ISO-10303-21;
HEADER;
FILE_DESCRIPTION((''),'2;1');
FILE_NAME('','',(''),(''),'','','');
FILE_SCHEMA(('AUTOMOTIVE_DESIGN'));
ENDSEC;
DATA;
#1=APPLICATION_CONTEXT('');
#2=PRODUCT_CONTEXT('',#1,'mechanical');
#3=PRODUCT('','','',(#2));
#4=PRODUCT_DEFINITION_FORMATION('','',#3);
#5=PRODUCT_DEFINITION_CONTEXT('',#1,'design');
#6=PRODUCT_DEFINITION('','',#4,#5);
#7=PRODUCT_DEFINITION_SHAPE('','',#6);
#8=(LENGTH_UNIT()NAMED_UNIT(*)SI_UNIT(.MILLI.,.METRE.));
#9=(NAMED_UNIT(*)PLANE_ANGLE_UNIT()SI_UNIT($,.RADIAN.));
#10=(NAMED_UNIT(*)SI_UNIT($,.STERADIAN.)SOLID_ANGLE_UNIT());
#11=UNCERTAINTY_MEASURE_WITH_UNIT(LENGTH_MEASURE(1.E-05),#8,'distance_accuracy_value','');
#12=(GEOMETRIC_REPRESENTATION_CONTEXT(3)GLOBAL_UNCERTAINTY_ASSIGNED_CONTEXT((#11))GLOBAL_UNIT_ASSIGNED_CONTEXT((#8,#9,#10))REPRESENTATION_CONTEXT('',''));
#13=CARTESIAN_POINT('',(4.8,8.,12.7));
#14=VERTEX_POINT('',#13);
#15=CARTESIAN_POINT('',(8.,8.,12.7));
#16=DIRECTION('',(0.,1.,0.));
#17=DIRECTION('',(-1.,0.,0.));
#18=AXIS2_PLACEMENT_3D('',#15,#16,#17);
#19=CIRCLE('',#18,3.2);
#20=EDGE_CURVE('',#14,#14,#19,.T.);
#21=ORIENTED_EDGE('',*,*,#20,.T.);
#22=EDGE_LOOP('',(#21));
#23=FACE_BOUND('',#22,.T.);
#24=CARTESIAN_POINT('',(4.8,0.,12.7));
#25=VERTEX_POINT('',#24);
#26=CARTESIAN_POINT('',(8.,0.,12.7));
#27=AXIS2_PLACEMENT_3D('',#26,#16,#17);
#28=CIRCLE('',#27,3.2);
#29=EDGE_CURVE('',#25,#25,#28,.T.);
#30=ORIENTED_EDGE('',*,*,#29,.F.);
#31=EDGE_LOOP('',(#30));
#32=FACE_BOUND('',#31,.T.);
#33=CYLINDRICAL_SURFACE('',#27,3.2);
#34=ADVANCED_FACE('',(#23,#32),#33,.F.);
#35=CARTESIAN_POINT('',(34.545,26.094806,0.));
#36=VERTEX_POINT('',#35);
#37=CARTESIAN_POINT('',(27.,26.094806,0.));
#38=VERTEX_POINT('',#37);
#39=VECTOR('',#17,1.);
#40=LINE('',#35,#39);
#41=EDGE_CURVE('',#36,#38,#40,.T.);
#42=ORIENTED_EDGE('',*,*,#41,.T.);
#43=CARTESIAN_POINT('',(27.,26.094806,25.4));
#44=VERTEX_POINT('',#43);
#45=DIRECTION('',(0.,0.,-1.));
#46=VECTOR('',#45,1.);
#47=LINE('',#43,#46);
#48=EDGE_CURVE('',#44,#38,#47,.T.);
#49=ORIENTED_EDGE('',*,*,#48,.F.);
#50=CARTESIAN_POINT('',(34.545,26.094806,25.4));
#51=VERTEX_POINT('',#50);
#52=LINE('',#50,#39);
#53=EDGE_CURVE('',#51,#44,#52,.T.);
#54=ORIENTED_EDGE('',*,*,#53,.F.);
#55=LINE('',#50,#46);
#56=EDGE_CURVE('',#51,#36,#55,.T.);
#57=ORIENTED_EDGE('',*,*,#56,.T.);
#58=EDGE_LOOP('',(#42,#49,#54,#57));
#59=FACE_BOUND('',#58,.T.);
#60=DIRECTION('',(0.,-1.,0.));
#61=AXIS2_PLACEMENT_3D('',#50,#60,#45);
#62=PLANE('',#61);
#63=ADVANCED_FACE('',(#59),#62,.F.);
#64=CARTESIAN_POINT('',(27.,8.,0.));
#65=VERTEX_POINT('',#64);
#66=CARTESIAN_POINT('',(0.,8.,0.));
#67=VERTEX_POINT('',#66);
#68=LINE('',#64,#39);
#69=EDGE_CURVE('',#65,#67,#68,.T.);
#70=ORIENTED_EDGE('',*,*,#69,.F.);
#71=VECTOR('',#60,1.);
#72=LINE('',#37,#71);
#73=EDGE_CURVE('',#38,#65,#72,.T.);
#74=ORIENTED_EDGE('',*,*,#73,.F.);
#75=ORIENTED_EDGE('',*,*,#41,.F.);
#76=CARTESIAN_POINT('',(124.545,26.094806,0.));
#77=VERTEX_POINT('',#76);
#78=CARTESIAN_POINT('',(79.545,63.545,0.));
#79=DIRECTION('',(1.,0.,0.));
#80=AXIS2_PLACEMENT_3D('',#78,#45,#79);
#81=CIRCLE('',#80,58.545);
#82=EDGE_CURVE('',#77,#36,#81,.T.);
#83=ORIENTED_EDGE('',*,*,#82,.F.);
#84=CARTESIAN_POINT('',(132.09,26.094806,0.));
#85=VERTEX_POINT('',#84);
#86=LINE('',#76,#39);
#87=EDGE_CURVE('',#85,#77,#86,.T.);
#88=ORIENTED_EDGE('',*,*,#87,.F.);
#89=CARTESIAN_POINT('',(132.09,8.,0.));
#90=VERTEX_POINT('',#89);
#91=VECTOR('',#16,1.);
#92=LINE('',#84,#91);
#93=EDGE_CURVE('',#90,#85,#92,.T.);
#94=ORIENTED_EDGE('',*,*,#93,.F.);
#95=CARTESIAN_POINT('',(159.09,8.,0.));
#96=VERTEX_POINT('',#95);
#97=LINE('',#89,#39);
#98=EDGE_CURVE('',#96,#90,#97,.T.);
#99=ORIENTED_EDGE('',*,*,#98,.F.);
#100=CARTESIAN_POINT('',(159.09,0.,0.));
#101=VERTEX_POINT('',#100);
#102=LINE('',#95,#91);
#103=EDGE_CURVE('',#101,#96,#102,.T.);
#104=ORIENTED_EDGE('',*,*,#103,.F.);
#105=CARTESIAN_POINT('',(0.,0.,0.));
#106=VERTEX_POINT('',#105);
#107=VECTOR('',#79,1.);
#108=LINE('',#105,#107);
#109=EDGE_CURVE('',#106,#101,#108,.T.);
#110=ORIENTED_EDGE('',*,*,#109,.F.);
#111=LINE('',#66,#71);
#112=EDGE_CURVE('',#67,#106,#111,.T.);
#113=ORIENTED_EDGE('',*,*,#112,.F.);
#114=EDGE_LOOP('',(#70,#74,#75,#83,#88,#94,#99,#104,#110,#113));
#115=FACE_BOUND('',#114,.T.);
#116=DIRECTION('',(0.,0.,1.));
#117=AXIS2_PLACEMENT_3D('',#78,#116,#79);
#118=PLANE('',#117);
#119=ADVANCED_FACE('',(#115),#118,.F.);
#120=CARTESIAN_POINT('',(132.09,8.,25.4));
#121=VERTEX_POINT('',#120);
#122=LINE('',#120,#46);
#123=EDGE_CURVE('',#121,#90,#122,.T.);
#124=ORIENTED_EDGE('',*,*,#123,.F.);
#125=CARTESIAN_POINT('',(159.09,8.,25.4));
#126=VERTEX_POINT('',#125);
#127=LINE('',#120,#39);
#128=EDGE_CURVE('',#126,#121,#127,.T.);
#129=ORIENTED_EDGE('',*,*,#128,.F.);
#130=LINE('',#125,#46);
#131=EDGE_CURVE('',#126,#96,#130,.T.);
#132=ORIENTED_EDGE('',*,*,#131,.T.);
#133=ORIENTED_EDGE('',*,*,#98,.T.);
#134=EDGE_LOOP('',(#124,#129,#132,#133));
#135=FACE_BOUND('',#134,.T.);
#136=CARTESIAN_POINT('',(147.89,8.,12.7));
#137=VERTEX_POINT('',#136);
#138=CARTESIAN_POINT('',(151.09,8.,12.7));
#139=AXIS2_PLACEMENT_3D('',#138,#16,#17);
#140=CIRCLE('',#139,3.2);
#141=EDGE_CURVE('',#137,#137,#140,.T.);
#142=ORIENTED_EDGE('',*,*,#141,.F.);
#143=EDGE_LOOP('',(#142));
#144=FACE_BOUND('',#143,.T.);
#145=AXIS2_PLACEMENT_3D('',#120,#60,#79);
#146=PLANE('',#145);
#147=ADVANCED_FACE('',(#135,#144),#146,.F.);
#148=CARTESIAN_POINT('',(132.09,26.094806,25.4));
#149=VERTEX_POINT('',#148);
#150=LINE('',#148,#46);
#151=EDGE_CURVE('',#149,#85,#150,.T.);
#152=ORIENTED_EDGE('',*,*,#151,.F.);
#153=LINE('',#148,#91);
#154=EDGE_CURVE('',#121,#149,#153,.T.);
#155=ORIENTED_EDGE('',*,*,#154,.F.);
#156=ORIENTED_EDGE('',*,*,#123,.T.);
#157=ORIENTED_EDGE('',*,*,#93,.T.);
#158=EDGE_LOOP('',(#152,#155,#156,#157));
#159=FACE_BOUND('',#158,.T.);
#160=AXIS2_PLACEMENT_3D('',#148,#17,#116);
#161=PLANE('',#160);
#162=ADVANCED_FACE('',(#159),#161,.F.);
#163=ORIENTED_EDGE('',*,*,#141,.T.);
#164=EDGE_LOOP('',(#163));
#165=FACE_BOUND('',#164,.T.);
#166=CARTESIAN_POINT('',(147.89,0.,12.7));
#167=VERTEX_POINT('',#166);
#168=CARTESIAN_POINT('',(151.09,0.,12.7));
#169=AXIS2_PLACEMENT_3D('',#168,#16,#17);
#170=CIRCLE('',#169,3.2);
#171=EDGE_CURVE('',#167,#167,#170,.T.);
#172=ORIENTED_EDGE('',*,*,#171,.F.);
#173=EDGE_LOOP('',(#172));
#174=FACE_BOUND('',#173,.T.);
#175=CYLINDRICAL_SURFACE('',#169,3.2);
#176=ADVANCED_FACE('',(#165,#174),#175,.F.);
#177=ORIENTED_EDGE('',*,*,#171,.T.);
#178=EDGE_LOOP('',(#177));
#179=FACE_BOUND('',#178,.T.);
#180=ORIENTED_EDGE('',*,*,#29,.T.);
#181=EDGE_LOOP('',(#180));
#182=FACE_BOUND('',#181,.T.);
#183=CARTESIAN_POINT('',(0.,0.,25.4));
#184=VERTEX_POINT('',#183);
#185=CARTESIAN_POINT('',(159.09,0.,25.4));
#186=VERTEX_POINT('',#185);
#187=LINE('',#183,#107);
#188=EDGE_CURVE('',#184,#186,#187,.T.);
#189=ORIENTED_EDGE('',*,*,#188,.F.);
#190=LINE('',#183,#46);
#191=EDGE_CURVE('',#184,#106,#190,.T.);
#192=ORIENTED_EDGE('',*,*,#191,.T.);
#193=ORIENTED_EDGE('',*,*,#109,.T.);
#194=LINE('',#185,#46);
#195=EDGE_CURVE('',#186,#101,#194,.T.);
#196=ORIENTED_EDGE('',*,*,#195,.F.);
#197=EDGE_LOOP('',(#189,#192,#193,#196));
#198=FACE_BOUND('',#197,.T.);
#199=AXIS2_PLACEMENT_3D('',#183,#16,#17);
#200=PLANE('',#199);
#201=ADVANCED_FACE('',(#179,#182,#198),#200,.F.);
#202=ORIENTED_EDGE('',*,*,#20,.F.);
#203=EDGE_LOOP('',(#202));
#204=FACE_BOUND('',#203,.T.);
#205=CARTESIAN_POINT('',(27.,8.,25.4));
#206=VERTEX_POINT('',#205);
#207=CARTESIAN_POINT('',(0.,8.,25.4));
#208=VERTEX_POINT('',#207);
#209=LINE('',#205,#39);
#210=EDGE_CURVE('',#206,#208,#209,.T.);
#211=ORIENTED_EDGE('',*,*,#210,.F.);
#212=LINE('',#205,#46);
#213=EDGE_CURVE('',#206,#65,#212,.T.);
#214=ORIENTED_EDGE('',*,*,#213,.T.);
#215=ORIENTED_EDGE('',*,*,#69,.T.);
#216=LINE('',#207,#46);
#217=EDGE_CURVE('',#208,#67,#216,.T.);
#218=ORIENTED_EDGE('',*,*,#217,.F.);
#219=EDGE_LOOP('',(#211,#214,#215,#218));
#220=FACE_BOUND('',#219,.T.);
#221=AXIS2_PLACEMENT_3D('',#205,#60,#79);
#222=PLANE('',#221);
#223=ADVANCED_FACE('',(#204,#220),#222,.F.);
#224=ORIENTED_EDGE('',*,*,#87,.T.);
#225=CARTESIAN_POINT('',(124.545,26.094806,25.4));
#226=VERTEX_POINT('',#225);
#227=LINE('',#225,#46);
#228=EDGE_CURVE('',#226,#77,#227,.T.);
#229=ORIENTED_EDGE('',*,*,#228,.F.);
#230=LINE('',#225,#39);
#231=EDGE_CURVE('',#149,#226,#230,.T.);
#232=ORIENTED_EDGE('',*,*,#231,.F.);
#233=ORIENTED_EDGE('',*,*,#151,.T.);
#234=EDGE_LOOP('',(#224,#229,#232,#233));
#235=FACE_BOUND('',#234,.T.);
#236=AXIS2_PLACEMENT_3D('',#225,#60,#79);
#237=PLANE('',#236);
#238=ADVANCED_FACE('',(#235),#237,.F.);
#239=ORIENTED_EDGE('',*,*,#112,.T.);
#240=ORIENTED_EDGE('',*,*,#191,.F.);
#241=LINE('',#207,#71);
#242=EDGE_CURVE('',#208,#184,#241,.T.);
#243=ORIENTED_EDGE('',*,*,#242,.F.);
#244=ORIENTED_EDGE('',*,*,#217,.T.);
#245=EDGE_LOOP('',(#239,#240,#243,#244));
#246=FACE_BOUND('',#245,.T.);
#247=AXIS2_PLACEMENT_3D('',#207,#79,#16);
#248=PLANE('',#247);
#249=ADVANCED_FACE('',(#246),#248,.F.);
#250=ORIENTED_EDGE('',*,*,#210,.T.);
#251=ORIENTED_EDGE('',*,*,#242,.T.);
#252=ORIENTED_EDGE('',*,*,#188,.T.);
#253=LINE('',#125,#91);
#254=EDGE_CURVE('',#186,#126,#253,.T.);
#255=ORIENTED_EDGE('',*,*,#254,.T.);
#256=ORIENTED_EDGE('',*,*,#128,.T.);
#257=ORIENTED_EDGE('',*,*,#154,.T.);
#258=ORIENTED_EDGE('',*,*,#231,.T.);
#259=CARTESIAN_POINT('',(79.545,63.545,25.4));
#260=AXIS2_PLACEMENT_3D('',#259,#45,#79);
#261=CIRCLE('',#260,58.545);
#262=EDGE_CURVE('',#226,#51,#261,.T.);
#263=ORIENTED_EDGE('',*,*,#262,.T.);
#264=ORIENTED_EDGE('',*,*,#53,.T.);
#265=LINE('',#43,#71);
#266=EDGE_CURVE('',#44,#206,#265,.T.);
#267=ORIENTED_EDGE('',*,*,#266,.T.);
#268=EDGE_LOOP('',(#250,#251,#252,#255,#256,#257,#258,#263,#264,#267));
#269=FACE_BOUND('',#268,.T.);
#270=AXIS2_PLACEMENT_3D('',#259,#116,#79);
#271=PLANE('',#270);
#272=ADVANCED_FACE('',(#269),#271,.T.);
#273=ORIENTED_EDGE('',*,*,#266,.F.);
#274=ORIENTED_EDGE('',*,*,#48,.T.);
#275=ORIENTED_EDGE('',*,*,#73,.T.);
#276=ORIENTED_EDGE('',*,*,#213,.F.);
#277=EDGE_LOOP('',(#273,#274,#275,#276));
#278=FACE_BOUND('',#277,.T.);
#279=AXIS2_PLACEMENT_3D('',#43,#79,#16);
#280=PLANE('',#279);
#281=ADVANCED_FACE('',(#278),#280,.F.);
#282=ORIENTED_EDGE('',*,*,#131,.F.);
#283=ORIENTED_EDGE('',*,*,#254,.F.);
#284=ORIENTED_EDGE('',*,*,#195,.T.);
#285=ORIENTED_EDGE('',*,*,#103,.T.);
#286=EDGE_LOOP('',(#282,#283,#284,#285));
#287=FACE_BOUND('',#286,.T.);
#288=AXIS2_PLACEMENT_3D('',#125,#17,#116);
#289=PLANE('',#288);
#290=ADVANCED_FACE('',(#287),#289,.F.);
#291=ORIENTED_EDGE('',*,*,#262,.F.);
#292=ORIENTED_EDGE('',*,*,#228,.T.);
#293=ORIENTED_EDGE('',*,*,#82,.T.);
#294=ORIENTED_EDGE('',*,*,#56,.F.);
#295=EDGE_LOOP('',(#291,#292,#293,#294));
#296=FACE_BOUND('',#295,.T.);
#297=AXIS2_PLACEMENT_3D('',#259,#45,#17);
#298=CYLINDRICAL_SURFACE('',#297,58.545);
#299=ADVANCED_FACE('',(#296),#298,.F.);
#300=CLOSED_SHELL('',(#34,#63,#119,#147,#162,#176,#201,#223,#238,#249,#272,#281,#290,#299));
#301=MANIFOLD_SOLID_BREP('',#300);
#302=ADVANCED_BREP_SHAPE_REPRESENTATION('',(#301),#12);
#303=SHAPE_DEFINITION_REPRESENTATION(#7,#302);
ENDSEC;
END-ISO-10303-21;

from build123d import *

# Parameters (mm, degrees)
BOSS_EXTRUDE1_DEPTH = 25.4
SKETCH2_R           = 3.2
CUT_EXTRUDE1_DEPTH  = 9


with BuildPart() as part:
    # Sketch1 → Boss-Extrude1 (new body)
    with BuildSketch(Plane.XY):
        with BuildLine():
            Line((124.545, 26.094806075), (132.09, 26.094806075))
            Line((132.09, 26.094806075), (132.09, 8))
            Line((132.09, 8), (159.09, 8))
            Line((159.09, 8), (159.09, 0))
            Line((159.09, 0), (0, 0))
            Line((0, 0), (0, 8))
            Line((0, 8), (27, 8))
            Line((27, 8), (27, 26.094806075))
            Line((27, 26.094806075), (34.545, 26.094806075))
            ThreePointArc((34.545, 26.094806075), (79.545, 5), (124.545, 26.094806075))
        make_face()
    extrude(amount=BOSS_EXTRUDE1_DEPTH)

    # Sketch2 → Cut-Extrude1 (cut, through all)
    with BuildSketch(Plane(origin=(0, 8, 0), x_dir=(1, 0, 0), z_dir=(0, 1, 0))):
        with Locations((8, -12.7)):
            Circle(SKETCH2_R)
        with Locations((151.09, -12.7)):
            Circle(SKETCH2_R)
    extrude(amount=-CUT_EXTRUDE1_DEPTH, mode=Mode.SUBTRACT)


solid = part.part
